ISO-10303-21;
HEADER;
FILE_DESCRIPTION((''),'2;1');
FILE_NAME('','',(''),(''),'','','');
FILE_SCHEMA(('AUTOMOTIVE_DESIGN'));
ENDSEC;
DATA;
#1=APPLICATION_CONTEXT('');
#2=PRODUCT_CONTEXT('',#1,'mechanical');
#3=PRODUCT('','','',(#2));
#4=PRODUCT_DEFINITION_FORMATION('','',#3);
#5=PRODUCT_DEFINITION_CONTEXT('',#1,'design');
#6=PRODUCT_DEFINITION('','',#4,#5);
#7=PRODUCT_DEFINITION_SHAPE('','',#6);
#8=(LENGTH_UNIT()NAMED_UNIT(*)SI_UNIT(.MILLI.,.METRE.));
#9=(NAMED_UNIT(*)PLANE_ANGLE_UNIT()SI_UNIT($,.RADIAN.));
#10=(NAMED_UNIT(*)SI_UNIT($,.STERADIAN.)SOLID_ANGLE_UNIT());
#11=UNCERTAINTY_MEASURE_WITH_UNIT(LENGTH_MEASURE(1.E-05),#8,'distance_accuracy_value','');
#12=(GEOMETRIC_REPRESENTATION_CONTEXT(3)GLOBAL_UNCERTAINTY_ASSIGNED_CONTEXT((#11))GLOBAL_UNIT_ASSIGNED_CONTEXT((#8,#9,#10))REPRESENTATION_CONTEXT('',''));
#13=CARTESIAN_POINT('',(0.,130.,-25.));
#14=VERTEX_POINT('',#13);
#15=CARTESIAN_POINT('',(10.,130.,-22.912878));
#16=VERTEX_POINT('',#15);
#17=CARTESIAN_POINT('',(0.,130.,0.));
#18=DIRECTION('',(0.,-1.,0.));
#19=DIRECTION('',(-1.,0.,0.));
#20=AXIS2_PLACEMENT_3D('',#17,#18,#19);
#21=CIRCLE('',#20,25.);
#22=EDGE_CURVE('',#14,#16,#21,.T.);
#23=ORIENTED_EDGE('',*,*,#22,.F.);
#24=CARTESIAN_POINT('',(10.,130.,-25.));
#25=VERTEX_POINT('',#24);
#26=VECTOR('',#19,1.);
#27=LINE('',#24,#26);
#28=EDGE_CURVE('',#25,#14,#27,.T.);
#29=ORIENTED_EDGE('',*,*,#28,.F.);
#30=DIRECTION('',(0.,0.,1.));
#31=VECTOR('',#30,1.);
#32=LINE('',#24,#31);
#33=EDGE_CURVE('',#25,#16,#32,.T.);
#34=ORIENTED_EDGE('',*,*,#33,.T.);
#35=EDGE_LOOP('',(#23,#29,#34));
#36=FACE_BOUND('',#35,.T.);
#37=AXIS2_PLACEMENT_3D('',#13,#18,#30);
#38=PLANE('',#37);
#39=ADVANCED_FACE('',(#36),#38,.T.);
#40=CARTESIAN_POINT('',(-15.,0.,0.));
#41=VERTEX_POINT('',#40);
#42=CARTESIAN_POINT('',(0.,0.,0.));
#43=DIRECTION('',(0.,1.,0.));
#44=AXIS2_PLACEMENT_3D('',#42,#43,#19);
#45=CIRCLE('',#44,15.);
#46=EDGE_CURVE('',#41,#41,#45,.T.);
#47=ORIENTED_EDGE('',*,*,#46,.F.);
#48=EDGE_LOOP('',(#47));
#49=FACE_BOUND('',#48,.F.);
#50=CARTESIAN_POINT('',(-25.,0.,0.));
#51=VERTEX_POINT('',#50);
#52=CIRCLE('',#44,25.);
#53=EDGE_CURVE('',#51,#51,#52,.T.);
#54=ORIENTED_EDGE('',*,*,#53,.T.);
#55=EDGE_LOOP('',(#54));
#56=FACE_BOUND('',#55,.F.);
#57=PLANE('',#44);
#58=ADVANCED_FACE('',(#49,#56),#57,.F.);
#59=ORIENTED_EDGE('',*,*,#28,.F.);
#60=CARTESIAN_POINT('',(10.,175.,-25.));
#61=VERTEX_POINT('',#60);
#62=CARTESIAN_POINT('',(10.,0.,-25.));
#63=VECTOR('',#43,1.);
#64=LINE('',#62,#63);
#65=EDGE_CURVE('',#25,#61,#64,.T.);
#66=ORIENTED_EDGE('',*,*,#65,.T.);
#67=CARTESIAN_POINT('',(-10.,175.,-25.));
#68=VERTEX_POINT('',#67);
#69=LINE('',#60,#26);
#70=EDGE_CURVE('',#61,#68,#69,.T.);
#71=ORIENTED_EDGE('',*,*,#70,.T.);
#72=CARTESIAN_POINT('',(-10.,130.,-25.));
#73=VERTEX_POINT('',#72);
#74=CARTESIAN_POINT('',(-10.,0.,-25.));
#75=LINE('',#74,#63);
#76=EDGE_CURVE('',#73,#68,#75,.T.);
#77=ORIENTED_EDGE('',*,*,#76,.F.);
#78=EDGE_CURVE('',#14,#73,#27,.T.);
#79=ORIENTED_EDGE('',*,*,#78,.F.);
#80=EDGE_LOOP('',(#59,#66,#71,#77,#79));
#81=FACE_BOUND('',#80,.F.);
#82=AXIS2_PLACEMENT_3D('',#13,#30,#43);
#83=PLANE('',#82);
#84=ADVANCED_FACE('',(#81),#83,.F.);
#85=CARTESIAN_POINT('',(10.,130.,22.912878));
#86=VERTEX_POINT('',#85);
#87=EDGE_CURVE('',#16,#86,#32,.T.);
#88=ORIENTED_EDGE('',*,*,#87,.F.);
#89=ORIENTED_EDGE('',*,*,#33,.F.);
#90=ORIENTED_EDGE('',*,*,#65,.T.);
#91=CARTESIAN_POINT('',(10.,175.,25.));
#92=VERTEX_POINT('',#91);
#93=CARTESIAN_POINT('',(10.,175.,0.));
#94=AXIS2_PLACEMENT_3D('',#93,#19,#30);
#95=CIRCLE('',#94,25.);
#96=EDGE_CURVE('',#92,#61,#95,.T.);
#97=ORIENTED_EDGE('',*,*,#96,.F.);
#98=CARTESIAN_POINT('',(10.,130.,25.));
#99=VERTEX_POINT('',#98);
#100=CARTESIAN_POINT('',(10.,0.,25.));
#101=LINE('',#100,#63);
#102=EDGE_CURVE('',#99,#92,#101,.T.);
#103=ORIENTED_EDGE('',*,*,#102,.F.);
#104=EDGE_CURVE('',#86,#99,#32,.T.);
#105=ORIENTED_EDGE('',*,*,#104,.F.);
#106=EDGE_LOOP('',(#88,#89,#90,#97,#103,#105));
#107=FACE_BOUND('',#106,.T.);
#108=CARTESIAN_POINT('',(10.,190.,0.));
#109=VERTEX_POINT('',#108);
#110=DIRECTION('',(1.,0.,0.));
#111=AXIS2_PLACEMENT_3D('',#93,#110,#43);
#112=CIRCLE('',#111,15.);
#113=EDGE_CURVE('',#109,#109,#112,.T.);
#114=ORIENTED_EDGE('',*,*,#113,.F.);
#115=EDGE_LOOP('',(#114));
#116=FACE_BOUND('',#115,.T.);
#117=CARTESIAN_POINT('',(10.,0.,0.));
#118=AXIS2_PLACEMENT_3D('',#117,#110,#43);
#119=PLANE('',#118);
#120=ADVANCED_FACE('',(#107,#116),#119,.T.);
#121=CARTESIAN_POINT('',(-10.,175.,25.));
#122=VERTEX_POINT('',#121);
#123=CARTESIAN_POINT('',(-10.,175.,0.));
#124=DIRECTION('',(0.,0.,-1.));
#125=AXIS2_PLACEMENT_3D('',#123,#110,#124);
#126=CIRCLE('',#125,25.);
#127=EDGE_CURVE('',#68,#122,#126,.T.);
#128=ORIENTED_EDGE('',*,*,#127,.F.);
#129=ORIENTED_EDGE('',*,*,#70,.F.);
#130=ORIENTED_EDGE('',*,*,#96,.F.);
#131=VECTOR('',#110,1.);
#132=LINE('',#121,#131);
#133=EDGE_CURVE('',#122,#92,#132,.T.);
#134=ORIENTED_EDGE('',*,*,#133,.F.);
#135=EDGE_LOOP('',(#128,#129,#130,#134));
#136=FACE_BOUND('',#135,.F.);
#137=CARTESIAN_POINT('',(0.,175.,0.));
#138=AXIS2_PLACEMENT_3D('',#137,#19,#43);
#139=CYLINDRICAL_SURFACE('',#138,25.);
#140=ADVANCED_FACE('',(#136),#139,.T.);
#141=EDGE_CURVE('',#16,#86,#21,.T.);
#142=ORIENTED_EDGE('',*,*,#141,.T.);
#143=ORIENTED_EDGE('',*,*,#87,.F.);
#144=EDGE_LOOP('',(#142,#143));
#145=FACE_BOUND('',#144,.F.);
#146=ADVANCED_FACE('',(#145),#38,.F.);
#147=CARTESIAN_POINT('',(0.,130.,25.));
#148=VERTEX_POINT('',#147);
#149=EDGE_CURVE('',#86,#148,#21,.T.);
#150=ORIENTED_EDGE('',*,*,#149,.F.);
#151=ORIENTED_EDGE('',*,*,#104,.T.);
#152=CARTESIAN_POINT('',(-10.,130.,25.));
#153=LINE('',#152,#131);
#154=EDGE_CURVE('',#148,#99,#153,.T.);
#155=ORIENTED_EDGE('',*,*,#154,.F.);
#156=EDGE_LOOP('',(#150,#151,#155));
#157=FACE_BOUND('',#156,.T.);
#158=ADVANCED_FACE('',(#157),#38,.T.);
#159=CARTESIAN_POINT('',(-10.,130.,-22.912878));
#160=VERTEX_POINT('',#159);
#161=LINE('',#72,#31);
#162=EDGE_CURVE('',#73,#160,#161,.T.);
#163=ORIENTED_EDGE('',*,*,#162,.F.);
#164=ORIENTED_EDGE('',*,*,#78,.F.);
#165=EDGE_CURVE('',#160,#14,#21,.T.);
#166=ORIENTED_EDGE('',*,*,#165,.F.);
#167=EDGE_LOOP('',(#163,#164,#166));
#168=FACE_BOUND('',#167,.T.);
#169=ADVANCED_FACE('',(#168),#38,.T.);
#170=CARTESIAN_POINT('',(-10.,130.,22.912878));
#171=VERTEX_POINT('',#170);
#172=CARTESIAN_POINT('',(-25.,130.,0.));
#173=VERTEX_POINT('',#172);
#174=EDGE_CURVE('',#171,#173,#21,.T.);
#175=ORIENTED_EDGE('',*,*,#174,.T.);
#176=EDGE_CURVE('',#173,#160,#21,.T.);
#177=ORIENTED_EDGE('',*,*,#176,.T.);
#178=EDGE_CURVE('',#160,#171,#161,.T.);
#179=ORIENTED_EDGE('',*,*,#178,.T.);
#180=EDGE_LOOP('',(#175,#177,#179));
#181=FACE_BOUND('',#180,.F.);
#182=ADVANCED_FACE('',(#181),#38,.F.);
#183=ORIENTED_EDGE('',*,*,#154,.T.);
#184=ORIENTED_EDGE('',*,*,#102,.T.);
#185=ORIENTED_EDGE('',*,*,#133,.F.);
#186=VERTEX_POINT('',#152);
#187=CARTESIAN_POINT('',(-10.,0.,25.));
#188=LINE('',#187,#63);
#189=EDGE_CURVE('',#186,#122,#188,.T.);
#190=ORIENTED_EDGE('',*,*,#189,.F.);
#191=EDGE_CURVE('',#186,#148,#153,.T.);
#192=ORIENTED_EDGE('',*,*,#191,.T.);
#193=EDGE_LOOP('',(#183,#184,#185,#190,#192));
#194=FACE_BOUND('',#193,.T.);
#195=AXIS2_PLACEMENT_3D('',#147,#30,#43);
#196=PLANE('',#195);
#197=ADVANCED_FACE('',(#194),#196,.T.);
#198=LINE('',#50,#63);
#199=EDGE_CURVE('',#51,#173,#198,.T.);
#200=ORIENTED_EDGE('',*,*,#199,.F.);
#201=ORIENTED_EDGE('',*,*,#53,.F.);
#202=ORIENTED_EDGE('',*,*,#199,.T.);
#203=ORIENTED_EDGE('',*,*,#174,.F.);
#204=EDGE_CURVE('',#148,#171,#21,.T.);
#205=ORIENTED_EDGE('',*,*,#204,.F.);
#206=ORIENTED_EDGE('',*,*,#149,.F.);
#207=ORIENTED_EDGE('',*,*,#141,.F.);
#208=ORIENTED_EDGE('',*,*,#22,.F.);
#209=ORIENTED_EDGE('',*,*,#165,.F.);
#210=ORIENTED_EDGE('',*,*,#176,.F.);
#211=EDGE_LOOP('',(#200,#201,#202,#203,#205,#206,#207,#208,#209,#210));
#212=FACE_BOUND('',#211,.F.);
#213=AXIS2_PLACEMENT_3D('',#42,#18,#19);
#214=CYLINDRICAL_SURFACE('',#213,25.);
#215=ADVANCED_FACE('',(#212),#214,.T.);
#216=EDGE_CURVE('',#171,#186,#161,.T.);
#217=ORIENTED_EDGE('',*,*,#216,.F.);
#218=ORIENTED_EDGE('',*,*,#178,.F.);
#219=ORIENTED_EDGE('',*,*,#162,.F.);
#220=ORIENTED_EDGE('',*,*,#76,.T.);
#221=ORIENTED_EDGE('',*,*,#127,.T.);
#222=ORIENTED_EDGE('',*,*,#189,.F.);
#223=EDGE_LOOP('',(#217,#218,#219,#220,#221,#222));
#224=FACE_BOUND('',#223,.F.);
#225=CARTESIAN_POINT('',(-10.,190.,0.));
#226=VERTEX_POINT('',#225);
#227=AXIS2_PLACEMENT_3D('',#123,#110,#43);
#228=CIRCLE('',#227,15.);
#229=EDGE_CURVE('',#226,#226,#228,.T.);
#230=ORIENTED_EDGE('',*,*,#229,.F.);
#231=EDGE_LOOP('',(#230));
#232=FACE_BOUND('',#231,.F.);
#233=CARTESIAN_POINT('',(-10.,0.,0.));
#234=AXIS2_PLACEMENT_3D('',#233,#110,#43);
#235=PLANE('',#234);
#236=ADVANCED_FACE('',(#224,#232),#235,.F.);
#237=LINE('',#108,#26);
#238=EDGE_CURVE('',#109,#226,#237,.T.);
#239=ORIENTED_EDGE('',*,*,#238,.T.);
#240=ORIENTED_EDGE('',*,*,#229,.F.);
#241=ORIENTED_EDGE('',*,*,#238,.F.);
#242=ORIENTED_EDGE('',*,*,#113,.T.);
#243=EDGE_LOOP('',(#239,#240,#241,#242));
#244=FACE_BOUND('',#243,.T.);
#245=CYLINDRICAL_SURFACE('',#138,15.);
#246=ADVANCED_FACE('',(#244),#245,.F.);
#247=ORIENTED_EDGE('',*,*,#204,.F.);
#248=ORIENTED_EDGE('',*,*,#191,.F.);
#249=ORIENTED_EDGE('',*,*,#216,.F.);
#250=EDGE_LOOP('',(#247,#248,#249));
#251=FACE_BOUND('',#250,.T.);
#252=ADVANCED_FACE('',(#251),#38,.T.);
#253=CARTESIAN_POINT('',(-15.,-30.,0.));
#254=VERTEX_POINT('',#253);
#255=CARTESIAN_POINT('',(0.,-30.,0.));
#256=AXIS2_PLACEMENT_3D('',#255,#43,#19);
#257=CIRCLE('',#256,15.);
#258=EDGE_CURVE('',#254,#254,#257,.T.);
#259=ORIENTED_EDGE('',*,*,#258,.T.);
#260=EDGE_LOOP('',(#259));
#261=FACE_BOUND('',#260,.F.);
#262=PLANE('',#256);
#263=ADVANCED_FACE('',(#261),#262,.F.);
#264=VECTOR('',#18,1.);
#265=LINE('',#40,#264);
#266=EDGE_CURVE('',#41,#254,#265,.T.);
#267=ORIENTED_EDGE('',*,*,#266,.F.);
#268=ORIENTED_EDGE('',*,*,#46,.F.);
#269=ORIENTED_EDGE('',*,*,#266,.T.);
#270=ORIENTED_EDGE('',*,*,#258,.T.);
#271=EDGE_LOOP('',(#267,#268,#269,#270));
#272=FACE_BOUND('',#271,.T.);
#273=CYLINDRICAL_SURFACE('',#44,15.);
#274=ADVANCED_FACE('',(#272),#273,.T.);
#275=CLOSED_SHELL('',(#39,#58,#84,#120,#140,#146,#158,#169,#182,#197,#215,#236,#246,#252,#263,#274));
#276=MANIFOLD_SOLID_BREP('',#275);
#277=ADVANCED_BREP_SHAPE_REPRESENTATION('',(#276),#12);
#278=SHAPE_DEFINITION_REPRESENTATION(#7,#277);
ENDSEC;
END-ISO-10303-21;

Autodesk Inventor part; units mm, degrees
ref_plane "YZ Plane" through (0, 0, 0) normal (1, 0, 0) x (0, 1, 0)
ref_plane "XZ Plane" through (0, 0, 0) normal (0, 1, 0) x (-1, 0, 0)
ref_plane "XY Plane" through (0, 0, 0) normal (0, 0, 1) x (1, 0, 0)
sketch "Sketch7" plane through (0, 0, 0) normal (0, 1, 0) x (-1, 0, 0)
  circle A0 centre (0, 0) radius 25
  circle A1 centre (0, 0) radius 15
  dimension "d19" = 50
  dimension "d20" = 30
extrude "Extrusion5" add sketch "Sketch7" against normal blind 30 contours A1
extrude "Extrusion6" add sketch "Sketch7" along normal blind 200 contours A0 | A1
sketch "Sketch8" plane through (0, 0, 0) normal (1, 0, 0) x (0, 1, 0)
  line L0 (200, -25) -> (200, 25) projected
  line L1 (0, -25) -> (0, 25) projected
  line L2 (0, 25) -> (200, 25) projected
  line L3 (0, -25) -> (200, -25) projected
  line L4 (200, -25) -> (200, 25) projected
  line L5 (200, -25) -> (130, -25)
  line L6 (130, -25) -> (130, 25)
  line L7 (130, 25) -> (200, 25)
  line L8 (200, 25) -> (200, -25)
  circle A0 centre (175, 0) radius 25
  circle A1 centre (175, 0) radius 15
  point P0 (0, 0)
  point P1 (0, 0)
  point P2 (175, -25)
  point P3 (175, 25)
  dimension "d25" = 70
  dimension "d26" = 50
  dimension "d27" = 30
extrude "Extrusion7" cut sketch "Sketch8" along normal mid plane 200 contours L3 A0 L0 | A0 L2 L0 | A0 | L3 L6 L2 A0 | A1
extrude "Extrusion8" add sketch "Sketch8" along normal mid plane 20 contours A0 | L3 L6 L2 A0
properties part number "Manipulator Link Type 2"
